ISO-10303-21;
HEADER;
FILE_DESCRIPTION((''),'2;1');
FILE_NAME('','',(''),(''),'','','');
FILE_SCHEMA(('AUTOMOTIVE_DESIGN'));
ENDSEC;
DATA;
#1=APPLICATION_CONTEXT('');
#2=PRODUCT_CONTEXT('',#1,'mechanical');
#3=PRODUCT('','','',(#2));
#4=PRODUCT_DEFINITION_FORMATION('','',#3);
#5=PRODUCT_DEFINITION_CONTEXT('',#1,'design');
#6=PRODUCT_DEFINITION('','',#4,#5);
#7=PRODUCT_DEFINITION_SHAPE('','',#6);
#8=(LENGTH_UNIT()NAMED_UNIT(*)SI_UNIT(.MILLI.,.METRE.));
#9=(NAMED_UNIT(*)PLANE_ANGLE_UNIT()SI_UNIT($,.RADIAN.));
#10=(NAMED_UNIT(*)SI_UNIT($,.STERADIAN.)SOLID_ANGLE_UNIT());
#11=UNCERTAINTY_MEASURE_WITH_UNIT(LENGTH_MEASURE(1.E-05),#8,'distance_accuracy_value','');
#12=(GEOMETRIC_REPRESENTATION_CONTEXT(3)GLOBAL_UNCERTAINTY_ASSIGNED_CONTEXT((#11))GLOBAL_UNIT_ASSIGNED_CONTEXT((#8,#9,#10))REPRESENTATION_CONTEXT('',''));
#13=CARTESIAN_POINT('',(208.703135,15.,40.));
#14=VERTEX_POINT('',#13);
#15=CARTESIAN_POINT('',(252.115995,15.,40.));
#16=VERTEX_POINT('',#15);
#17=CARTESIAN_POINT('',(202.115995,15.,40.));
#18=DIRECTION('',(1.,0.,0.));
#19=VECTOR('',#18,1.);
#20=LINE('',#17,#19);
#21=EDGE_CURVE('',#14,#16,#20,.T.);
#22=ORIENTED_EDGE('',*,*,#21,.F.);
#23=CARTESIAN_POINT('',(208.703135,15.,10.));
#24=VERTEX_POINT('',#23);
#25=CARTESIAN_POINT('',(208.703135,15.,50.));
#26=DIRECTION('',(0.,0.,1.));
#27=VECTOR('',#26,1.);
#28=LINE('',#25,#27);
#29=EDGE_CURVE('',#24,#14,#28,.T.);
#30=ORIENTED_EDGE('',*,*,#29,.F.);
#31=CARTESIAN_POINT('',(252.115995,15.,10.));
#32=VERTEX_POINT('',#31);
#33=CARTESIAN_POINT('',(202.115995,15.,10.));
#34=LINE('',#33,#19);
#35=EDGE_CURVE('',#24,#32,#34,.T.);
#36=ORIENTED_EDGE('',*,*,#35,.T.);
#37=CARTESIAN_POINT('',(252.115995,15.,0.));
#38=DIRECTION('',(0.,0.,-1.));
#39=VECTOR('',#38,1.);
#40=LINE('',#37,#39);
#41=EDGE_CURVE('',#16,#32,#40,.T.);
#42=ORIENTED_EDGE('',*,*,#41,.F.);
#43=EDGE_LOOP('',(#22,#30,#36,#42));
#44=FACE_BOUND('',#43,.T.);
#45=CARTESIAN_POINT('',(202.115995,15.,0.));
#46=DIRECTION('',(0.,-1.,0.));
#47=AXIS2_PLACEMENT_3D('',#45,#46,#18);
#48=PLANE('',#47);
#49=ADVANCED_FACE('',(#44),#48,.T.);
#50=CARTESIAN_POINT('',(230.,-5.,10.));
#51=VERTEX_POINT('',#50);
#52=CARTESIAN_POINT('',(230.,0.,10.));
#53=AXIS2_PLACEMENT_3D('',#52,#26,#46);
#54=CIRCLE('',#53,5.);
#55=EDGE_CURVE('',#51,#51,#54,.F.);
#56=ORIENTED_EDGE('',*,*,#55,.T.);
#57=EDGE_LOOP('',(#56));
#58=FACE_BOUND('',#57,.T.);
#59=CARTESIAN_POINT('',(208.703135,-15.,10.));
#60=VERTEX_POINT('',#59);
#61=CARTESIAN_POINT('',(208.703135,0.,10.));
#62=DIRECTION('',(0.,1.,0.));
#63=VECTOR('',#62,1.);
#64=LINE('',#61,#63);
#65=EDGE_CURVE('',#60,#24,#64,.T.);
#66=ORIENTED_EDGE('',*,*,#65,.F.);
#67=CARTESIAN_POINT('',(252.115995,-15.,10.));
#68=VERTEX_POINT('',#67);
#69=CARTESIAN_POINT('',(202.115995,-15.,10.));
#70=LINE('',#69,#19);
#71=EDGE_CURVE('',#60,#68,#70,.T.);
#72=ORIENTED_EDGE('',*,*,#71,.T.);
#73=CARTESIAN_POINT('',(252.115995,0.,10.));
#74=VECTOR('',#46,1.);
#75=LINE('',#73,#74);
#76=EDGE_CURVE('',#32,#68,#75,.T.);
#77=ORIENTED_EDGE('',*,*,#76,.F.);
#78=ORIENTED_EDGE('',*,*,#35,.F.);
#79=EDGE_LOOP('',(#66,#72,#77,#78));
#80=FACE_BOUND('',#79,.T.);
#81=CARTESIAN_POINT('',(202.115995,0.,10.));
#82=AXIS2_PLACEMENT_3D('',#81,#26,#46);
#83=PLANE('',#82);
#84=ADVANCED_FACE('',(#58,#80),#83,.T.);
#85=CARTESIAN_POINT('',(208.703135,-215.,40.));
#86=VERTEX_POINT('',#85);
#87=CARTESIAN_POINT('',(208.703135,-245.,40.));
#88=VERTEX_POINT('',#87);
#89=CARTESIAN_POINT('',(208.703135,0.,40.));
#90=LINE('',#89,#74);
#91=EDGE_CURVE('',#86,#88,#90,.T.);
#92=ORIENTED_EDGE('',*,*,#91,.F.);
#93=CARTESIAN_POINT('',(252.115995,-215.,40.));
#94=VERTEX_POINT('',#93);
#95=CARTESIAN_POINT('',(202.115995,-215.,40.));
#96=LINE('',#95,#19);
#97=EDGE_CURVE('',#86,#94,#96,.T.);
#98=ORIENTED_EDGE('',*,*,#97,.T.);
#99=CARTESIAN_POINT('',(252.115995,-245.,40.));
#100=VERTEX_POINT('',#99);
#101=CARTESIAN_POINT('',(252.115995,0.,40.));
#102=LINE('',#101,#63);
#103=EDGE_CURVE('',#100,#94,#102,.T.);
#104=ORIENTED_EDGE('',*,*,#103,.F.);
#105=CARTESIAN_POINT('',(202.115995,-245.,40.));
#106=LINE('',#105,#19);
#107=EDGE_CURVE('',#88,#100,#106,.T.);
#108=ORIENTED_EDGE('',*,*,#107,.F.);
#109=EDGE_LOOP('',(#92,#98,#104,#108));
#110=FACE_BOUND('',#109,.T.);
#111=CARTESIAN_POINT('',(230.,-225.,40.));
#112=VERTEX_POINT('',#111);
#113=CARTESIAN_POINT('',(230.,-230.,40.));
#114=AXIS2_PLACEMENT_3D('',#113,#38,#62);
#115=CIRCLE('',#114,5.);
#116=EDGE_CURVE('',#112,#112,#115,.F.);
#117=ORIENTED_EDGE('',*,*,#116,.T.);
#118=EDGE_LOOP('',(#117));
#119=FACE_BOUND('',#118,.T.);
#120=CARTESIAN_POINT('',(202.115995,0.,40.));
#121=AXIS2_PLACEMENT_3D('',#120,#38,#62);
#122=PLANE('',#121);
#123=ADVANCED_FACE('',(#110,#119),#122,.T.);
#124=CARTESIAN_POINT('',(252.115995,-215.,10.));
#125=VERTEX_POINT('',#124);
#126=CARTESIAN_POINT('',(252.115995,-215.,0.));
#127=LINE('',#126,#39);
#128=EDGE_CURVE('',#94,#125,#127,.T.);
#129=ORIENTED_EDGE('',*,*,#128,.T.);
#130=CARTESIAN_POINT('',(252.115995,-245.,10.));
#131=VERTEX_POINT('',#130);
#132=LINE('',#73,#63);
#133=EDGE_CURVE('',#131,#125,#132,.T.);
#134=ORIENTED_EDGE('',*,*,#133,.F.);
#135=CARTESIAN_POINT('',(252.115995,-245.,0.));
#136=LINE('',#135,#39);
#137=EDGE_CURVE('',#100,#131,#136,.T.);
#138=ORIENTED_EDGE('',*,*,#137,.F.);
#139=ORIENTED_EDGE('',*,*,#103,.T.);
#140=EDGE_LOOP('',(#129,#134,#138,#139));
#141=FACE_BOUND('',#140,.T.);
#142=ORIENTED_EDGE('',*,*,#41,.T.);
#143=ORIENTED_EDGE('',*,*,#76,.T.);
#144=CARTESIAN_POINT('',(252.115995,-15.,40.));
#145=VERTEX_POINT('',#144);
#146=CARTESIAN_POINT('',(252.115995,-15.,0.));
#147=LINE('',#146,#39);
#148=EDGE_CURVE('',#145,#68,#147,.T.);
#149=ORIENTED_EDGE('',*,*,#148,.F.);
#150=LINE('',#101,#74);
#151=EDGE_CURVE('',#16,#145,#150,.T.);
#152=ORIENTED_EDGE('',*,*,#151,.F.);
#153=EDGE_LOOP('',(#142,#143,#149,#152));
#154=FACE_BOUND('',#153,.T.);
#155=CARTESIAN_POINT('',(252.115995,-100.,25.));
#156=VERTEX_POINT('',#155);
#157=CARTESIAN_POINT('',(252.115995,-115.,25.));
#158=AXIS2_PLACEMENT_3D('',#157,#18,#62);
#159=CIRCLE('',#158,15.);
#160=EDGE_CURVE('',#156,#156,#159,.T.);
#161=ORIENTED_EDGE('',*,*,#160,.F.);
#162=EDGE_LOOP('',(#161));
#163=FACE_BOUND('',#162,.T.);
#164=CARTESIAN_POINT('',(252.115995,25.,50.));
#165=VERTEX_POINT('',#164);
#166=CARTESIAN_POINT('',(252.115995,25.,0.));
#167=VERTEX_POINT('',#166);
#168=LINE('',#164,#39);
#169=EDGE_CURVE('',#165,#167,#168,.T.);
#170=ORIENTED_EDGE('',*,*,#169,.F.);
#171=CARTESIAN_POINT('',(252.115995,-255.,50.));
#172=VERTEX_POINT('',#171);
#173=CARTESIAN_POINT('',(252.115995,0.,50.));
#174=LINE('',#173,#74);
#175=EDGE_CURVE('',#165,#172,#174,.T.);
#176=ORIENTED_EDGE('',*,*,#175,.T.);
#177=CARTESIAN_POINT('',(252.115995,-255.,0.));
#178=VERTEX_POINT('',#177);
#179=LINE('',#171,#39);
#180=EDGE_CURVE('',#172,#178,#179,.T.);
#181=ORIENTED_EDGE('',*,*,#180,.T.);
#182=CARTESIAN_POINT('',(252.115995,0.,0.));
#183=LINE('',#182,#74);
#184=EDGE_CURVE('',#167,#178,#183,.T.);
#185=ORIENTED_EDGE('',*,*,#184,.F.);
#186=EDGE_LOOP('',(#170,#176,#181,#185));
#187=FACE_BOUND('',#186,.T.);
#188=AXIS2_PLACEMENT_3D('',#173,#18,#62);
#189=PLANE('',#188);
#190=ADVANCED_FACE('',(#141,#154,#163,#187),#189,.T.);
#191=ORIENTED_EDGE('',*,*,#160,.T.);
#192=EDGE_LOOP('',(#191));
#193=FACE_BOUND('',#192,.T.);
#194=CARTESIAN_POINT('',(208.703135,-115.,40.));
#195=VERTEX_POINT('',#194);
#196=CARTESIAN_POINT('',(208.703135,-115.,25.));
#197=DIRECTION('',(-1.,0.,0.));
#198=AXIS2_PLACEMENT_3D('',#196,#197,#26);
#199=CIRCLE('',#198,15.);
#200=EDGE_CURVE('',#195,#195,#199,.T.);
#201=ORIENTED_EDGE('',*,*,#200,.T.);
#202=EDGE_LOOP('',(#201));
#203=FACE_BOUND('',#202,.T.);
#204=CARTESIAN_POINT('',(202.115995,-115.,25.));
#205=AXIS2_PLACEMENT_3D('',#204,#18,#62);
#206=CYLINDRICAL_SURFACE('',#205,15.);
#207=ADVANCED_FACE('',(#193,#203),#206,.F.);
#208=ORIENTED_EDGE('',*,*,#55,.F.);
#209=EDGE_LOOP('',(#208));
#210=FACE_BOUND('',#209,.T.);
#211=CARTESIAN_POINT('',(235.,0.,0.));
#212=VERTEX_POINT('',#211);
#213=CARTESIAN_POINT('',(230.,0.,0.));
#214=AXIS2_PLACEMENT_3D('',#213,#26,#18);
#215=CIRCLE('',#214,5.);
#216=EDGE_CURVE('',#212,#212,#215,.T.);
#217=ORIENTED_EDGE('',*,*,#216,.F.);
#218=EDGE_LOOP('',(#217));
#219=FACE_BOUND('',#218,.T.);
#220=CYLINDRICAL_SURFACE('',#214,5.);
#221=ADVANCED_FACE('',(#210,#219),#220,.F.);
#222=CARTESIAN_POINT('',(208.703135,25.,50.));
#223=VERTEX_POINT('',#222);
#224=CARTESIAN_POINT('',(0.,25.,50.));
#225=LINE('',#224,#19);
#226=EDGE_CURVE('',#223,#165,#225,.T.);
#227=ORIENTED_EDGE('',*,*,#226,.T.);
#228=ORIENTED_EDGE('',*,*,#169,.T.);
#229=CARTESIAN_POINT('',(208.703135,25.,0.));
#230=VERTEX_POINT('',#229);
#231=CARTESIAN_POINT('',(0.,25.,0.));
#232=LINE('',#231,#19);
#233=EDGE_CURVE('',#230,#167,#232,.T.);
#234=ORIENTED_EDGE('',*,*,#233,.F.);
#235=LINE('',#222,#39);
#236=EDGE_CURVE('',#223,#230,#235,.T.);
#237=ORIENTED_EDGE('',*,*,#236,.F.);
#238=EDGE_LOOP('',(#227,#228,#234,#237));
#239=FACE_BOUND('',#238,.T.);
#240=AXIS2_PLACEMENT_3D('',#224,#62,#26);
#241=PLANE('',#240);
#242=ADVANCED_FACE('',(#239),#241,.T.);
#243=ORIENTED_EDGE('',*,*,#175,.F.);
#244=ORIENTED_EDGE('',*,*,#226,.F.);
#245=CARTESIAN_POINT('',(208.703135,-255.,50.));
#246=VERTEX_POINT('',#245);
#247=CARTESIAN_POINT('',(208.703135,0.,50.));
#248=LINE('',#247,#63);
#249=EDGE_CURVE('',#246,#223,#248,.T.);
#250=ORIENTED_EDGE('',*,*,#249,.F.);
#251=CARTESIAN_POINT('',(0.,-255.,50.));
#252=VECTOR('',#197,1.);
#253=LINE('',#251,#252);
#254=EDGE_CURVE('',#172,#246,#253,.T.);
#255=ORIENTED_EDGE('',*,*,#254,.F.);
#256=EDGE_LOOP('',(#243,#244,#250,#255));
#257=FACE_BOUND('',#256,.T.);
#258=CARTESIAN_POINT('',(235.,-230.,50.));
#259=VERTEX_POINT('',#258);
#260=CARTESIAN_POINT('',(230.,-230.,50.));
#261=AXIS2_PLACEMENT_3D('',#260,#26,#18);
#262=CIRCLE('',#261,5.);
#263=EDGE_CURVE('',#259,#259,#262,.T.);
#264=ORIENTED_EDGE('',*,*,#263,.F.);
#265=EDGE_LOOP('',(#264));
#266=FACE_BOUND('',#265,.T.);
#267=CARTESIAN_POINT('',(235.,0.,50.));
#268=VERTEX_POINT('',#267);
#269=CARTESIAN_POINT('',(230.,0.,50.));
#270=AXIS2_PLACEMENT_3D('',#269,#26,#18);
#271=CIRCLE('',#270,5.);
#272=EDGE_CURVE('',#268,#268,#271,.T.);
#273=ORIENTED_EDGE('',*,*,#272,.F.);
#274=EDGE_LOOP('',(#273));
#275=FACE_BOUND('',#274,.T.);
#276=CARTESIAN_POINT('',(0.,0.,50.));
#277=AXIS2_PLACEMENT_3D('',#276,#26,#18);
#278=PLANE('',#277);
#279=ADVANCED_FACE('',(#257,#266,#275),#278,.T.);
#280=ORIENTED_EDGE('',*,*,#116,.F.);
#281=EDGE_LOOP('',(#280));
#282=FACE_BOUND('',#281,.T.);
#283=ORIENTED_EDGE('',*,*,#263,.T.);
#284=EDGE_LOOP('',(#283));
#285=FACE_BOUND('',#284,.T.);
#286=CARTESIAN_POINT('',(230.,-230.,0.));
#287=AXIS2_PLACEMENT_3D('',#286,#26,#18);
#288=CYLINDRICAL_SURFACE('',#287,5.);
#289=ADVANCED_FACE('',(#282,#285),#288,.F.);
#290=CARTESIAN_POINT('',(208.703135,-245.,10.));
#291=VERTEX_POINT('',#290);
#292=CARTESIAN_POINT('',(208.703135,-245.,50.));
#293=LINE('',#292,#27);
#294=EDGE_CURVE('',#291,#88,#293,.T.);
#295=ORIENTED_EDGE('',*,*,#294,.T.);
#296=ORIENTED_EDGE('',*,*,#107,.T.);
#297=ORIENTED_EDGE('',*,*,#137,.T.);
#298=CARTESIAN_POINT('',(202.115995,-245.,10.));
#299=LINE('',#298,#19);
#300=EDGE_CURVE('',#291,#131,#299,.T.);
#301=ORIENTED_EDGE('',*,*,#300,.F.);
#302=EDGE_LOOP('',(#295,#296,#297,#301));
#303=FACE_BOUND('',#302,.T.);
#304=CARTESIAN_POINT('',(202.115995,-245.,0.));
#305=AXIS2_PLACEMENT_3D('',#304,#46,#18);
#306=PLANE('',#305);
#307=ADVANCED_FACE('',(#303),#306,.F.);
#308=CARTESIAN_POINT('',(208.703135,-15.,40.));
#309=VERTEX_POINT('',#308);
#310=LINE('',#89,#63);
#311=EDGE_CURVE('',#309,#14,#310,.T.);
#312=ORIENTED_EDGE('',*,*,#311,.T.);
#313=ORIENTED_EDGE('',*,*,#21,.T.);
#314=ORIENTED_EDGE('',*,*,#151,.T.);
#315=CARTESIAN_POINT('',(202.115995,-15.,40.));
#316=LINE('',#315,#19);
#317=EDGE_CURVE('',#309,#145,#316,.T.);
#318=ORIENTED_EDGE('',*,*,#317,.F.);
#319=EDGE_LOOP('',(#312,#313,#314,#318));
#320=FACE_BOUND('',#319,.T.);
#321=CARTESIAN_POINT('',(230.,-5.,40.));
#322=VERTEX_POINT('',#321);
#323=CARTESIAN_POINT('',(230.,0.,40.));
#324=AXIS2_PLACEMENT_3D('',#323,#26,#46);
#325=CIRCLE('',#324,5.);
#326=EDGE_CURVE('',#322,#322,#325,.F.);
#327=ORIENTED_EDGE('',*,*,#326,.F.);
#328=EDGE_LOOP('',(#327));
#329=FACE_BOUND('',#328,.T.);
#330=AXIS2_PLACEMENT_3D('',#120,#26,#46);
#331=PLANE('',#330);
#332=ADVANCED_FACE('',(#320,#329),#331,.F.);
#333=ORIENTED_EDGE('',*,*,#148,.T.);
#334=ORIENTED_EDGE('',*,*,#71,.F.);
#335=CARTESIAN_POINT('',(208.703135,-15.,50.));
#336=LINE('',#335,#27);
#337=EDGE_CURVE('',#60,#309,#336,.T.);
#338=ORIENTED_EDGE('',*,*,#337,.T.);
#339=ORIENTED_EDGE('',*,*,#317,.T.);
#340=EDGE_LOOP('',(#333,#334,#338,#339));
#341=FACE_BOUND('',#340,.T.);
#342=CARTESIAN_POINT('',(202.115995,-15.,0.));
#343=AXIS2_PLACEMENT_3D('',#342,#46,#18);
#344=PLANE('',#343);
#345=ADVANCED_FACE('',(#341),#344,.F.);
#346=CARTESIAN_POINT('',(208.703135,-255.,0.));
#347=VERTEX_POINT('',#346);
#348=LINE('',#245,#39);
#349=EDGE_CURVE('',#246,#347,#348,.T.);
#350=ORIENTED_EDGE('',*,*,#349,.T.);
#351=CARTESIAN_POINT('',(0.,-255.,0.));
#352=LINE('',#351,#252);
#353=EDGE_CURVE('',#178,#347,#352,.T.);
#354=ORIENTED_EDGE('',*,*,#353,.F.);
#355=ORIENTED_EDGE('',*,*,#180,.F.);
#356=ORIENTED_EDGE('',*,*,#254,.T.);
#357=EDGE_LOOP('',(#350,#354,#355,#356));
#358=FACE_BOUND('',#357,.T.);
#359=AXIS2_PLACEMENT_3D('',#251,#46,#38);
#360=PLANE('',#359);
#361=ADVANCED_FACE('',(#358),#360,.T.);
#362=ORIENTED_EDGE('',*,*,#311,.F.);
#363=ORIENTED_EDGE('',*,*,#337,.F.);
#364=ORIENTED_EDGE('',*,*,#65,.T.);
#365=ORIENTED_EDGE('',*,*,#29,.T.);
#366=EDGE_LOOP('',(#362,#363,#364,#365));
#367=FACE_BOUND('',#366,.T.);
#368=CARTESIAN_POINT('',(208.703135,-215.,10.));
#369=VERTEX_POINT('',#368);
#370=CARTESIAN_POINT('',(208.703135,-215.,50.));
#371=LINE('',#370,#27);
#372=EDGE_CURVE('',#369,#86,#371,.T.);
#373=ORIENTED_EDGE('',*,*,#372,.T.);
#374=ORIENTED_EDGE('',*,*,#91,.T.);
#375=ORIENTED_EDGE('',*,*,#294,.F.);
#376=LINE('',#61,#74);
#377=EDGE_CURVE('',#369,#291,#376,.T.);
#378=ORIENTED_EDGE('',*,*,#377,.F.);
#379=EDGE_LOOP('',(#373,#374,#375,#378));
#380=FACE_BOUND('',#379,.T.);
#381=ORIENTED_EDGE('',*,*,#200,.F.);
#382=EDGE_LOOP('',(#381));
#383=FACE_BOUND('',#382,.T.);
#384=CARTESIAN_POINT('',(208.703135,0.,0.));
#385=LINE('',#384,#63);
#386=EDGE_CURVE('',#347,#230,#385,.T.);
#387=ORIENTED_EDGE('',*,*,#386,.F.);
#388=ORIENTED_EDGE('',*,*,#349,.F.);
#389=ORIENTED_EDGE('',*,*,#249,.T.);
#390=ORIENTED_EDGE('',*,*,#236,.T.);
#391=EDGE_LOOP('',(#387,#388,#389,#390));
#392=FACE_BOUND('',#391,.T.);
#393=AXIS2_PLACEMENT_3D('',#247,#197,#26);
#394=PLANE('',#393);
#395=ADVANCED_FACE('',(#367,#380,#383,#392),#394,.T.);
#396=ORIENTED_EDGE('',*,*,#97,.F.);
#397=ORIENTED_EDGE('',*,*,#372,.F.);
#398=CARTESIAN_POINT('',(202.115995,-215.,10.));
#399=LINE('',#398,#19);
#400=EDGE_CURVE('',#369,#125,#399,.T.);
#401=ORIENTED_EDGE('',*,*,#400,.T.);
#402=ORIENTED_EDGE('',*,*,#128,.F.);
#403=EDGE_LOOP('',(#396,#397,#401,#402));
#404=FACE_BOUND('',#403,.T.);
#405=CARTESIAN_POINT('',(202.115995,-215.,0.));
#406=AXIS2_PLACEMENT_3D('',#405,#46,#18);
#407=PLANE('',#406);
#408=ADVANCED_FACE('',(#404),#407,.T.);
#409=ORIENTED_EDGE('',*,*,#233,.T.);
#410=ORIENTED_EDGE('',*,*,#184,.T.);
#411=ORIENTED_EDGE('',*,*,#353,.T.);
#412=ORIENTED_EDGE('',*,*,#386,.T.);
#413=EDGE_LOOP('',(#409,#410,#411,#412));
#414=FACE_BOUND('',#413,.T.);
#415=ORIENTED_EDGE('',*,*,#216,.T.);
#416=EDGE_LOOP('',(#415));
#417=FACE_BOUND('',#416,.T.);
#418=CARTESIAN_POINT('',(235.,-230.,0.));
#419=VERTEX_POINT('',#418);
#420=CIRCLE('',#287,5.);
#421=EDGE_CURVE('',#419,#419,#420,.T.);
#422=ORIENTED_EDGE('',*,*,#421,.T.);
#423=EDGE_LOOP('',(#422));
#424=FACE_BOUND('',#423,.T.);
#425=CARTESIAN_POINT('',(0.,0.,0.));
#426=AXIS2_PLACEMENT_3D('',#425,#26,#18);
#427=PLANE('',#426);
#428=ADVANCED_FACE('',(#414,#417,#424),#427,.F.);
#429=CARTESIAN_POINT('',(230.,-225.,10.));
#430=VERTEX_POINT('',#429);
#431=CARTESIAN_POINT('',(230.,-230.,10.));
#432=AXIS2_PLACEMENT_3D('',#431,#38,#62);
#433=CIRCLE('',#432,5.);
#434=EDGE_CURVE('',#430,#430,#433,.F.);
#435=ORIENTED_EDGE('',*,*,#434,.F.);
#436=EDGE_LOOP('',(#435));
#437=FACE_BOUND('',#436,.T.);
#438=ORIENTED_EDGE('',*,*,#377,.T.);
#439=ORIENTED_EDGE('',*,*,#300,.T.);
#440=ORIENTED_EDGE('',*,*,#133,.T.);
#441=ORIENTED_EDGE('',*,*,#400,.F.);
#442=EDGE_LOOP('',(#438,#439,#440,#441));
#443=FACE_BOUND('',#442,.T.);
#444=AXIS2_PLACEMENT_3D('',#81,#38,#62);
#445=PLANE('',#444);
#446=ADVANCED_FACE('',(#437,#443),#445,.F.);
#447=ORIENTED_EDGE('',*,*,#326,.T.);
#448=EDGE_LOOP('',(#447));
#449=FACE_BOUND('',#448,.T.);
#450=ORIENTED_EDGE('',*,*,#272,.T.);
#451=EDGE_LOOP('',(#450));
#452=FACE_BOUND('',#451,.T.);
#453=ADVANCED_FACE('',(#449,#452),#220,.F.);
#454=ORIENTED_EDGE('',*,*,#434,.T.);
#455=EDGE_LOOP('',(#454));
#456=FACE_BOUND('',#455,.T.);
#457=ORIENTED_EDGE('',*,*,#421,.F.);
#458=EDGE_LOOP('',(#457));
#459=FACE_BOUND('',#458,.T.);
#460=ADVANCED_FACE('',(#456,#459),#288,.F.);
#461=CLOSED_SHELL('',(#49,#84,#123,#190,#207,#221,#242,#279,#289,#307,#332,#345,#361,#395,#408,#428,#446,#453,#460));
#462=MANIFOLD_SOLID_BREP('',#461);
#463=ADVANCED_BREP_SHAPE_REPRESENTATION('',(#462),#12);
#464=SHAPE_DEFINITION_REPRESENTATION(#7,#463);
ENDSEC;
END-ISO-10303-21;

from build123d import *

# Parameters (mm, degrees)
SKETCH1_W           = 43.412860342
SKETCH1_H           = 140
BOSS_EXTRUDE1_DEPTH = 50
SKETCH2_R           = 5
CUT_EXTRUDE1_DEPTH  = 50
SKETCH3_W           = 30
SKETCH3_H           = 30
CUT_EXTRUDE2_DEPTH  = 50
SKETCH5_R           = 15
CUT_EXTRUDE3_DEPTH  = 50


with BuildPart() as part:
    # Sketch1 → Boss-Extrude1 (new body)
    with BuildSketch(Plane.XY):
        with Locations((230.409564966, -45)):
            Rectangle(SKETCH1_W, SKETCH1_H)
        with Locations((230.409564966, -185)):
            Rectangle(SKETCH1_W, SKETCH1_H)
    extrude(amount=BOSS_EXTRUDE1_DEPTH)

    # Sketch2 → Cut-Extrude1 (cut)
    with BuildSketch(Plane.XY.offset(50)):
        with Locations((230, 0)):
            Circle(SKETCH2_R)
        with Locations((230, -230)):
            Circle(SKETCH2_R)
    extrude(amount=-CUT_EXTRUDE1_DEPTH, mode=Mode.SUBTRACT)

    # Sketch3 → Cut-Extrude2 (cut)
    with BuildSketch(Plane(origin=(252.115995137, 0, 0), x_dir=(0, 0, -1), z_dir=(1, 0, 0))):
        with Locations((-25, 0)):
            Rectangle(SKETCH3_W, SKETCH3_H)
        with Locations((-25, -230)):
            Rectangle(SKETCH3_W, SKETCH3_H)
    extrude(amount=-CUT_EXTRUDE2_DEPTH, mode=Mode.SUBTRACT)

    # Sketch5 → Cut-Extrude3 (cut)
    with BuildSketch(Plane(origin=(252.115995137, 0, 0), x_dir=(0, 0, -1), z_dir=(1, 0, 0))):
        with Locations(Location((-25, -115, 0), (0, 0, 90))):
            Circle(SKETCH5_R)
    extrude(amount=-CUT_EXTRUDE3_DEPTH, mode=Mode.SUBTRACT)


solid = part.part
